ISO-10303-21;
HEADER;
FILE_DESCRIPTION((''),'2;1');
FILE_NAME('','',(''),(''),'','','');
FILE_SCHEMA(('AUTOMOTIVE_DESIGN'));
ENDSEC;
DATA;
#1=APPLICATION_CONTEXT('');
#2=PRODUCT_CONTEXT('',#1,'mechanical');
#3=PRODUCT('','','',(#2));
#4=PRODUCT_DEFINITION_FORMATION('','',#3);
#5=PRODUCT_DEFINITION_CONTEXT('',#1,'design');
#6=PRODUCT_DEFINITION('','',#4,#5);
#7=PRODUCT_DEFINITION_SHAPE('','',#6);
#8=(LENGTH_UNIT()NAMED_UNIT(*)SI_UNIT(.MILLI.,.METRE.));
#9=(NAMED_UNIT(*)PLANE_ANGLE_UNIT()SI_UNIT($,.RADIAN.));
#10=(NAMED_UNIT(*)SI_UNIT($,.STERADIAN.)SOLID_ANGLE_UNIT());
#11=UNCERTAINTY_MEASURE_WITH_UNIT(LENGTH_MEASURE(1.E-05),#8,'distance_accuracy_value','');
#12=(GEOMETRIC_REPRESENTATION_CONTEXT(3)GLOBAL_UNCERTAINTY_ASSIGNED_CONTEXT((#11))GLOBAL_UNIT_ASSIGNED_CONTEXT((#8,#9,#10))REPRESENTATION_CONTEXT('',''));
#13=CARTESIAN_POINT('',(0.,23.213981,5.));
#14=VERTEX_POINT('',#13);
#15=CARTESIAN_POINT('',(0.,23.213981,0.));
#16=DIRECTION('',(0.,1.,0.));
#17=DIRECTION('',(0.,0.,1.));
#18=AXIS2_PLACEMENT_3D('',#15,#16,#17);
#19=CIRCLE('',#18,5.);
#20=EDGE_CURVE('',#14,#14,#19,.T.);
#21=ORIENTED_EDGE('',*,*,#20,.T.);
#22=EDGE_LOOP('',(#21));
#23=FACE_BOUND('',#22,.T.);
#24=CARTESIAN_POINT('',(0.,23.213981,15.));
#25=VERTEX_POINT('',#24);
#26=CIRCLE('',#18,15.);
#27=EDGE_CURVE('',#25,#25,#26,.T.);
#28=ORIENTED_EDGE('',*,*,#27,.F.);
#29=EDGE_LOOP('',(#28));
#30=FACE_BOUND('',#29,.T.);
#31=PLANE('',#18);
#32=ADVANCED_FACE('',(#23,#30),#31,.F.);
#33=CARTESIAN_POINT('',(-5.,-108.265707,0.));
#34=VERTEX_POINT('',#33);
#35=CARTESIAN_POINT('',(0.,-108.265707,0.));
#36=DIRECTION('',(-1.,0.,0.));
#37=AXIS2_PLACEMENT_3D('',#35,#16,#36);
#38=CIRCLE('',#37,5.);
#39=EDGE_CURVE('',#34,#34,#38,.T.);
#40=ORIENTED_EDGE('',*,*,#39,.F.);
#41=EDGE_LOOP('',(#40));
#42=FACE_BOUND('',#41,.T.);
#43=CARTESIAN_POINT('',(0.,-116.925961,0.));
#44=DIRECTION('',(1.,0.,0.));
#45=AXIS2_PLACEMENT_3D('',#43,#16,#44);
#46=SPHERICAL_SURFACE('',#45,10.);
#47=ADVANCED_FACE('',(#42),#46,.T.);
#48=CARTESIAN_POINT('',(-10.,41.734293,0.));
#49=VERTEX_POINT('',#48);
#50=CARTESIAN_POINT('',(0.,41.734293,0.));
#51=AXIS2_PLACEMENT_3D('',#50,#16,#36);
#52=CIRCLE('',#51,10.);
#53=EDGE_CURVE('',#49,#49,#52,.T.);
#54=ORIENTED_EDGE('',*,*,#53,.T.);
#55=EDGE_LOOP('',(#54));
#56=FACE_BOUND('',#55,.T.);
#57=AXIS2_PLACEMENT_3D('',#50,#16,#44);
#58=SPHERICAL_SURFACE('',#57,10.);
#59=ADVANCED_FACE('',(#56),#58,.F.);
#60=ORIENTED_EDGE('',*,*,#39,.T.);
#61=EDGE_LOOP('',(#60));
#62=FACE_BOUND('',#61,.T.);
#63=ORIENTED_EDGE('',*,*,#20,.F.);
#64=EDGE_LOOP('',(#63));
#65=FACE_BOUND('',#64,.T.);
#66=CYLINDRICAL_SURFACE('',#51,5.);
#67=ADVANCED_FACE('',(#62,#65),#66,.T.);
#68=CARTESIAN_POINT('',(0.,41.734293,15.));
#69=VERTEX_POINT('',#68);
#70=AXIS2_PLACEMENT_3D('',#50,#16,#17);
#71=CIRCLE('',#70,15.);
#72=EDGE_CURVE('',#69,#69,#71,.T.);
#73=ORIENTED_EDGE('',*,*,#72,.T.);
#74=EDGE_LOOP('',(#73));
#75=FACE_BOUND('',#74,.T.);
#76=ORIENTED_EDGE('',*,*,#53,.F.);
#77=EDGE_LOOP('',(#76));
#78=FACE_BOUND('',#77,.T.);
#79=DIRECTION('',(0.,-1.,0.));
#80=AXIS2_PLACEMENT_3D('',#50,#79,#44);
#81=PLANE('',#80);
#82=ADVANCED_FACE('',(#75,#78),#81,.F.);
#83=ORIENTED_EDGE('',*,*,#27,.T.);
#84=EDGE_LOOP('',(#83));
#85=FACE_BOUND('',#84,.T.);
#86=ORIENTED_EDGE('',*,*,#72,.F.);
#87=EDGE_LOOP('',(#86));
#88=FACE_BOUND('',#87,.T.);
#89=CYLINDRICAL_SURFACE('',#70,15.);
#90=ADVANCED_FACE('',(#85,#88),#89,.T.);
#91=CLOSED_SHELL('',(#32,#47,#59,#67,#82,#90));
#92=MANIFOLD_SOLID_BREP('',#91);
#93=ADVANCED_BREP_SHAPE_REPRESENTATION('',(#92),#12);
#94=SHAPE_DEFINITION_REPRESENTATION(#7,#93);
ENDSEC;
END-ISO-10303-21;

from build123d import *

# Parameters (mm, degrees)
SKETCH3_W = 15
SKETCH3_H = 18.520312213


with BuildPart() as part:
    # Sketch1 → Revolve1 (revolve)
    with BuildSketch(Plane.XY, mode=Mode.PRIVATE) as revolve1_sk:
        with BuildLine():
            Line((0, 41.73429327), (5, 41.73429327))
            Line((5, 41.73429327), (5, -108.26570673))
            ThreePointArc((5, -108.26570673), (9.659258263, -119.514151219), (0, -126.925960768))
            Line((0, -126.925960768), (0, 41.73429327))
        make_face()
    revolve(revolve1_sk.sketch.rotate(Axis((0, 41.73429327, 0), (0, -1, 0)), 180), axis=Axis((0, 41.73429327, 0), (0, -1, 0)))

    # Sketch3 → Revolve3 (revolve)
    with BuildSketch(Plane.XY, mode=Mode.PRIVATE) as revolve3_sk:
        with Locations((7.5, 32.474137164)):
            Rectangle(SKETCH3_W, SKETCH3_H)
    revolve(revolve3_sk.sketch.rotate(Axis((0, 41.73429327, 0), (0, -1, 0)), 90), axis=Axis((0, 41.73429327, 0), (0, -1, 0)))

    # Sketch5 → Cut-Revolve2 (revolve, cut)
    with BuildSketch(Plane.XY):
        with BuildLine():
            Line((0, 41.73429327), (0, 31.73429327))
            ThreePointArc((0, 31.73429327), (7.071067812, 34.663225458), (10, 41.73429327))
            Line((10, 41.73429327), (0, 41.73429327))
        make_face()
    revolve(axis=Axis((0, 41.73429327, 0), (0, -1, 0)), mode=Mode.SUBTRACT)


solid = part.part
